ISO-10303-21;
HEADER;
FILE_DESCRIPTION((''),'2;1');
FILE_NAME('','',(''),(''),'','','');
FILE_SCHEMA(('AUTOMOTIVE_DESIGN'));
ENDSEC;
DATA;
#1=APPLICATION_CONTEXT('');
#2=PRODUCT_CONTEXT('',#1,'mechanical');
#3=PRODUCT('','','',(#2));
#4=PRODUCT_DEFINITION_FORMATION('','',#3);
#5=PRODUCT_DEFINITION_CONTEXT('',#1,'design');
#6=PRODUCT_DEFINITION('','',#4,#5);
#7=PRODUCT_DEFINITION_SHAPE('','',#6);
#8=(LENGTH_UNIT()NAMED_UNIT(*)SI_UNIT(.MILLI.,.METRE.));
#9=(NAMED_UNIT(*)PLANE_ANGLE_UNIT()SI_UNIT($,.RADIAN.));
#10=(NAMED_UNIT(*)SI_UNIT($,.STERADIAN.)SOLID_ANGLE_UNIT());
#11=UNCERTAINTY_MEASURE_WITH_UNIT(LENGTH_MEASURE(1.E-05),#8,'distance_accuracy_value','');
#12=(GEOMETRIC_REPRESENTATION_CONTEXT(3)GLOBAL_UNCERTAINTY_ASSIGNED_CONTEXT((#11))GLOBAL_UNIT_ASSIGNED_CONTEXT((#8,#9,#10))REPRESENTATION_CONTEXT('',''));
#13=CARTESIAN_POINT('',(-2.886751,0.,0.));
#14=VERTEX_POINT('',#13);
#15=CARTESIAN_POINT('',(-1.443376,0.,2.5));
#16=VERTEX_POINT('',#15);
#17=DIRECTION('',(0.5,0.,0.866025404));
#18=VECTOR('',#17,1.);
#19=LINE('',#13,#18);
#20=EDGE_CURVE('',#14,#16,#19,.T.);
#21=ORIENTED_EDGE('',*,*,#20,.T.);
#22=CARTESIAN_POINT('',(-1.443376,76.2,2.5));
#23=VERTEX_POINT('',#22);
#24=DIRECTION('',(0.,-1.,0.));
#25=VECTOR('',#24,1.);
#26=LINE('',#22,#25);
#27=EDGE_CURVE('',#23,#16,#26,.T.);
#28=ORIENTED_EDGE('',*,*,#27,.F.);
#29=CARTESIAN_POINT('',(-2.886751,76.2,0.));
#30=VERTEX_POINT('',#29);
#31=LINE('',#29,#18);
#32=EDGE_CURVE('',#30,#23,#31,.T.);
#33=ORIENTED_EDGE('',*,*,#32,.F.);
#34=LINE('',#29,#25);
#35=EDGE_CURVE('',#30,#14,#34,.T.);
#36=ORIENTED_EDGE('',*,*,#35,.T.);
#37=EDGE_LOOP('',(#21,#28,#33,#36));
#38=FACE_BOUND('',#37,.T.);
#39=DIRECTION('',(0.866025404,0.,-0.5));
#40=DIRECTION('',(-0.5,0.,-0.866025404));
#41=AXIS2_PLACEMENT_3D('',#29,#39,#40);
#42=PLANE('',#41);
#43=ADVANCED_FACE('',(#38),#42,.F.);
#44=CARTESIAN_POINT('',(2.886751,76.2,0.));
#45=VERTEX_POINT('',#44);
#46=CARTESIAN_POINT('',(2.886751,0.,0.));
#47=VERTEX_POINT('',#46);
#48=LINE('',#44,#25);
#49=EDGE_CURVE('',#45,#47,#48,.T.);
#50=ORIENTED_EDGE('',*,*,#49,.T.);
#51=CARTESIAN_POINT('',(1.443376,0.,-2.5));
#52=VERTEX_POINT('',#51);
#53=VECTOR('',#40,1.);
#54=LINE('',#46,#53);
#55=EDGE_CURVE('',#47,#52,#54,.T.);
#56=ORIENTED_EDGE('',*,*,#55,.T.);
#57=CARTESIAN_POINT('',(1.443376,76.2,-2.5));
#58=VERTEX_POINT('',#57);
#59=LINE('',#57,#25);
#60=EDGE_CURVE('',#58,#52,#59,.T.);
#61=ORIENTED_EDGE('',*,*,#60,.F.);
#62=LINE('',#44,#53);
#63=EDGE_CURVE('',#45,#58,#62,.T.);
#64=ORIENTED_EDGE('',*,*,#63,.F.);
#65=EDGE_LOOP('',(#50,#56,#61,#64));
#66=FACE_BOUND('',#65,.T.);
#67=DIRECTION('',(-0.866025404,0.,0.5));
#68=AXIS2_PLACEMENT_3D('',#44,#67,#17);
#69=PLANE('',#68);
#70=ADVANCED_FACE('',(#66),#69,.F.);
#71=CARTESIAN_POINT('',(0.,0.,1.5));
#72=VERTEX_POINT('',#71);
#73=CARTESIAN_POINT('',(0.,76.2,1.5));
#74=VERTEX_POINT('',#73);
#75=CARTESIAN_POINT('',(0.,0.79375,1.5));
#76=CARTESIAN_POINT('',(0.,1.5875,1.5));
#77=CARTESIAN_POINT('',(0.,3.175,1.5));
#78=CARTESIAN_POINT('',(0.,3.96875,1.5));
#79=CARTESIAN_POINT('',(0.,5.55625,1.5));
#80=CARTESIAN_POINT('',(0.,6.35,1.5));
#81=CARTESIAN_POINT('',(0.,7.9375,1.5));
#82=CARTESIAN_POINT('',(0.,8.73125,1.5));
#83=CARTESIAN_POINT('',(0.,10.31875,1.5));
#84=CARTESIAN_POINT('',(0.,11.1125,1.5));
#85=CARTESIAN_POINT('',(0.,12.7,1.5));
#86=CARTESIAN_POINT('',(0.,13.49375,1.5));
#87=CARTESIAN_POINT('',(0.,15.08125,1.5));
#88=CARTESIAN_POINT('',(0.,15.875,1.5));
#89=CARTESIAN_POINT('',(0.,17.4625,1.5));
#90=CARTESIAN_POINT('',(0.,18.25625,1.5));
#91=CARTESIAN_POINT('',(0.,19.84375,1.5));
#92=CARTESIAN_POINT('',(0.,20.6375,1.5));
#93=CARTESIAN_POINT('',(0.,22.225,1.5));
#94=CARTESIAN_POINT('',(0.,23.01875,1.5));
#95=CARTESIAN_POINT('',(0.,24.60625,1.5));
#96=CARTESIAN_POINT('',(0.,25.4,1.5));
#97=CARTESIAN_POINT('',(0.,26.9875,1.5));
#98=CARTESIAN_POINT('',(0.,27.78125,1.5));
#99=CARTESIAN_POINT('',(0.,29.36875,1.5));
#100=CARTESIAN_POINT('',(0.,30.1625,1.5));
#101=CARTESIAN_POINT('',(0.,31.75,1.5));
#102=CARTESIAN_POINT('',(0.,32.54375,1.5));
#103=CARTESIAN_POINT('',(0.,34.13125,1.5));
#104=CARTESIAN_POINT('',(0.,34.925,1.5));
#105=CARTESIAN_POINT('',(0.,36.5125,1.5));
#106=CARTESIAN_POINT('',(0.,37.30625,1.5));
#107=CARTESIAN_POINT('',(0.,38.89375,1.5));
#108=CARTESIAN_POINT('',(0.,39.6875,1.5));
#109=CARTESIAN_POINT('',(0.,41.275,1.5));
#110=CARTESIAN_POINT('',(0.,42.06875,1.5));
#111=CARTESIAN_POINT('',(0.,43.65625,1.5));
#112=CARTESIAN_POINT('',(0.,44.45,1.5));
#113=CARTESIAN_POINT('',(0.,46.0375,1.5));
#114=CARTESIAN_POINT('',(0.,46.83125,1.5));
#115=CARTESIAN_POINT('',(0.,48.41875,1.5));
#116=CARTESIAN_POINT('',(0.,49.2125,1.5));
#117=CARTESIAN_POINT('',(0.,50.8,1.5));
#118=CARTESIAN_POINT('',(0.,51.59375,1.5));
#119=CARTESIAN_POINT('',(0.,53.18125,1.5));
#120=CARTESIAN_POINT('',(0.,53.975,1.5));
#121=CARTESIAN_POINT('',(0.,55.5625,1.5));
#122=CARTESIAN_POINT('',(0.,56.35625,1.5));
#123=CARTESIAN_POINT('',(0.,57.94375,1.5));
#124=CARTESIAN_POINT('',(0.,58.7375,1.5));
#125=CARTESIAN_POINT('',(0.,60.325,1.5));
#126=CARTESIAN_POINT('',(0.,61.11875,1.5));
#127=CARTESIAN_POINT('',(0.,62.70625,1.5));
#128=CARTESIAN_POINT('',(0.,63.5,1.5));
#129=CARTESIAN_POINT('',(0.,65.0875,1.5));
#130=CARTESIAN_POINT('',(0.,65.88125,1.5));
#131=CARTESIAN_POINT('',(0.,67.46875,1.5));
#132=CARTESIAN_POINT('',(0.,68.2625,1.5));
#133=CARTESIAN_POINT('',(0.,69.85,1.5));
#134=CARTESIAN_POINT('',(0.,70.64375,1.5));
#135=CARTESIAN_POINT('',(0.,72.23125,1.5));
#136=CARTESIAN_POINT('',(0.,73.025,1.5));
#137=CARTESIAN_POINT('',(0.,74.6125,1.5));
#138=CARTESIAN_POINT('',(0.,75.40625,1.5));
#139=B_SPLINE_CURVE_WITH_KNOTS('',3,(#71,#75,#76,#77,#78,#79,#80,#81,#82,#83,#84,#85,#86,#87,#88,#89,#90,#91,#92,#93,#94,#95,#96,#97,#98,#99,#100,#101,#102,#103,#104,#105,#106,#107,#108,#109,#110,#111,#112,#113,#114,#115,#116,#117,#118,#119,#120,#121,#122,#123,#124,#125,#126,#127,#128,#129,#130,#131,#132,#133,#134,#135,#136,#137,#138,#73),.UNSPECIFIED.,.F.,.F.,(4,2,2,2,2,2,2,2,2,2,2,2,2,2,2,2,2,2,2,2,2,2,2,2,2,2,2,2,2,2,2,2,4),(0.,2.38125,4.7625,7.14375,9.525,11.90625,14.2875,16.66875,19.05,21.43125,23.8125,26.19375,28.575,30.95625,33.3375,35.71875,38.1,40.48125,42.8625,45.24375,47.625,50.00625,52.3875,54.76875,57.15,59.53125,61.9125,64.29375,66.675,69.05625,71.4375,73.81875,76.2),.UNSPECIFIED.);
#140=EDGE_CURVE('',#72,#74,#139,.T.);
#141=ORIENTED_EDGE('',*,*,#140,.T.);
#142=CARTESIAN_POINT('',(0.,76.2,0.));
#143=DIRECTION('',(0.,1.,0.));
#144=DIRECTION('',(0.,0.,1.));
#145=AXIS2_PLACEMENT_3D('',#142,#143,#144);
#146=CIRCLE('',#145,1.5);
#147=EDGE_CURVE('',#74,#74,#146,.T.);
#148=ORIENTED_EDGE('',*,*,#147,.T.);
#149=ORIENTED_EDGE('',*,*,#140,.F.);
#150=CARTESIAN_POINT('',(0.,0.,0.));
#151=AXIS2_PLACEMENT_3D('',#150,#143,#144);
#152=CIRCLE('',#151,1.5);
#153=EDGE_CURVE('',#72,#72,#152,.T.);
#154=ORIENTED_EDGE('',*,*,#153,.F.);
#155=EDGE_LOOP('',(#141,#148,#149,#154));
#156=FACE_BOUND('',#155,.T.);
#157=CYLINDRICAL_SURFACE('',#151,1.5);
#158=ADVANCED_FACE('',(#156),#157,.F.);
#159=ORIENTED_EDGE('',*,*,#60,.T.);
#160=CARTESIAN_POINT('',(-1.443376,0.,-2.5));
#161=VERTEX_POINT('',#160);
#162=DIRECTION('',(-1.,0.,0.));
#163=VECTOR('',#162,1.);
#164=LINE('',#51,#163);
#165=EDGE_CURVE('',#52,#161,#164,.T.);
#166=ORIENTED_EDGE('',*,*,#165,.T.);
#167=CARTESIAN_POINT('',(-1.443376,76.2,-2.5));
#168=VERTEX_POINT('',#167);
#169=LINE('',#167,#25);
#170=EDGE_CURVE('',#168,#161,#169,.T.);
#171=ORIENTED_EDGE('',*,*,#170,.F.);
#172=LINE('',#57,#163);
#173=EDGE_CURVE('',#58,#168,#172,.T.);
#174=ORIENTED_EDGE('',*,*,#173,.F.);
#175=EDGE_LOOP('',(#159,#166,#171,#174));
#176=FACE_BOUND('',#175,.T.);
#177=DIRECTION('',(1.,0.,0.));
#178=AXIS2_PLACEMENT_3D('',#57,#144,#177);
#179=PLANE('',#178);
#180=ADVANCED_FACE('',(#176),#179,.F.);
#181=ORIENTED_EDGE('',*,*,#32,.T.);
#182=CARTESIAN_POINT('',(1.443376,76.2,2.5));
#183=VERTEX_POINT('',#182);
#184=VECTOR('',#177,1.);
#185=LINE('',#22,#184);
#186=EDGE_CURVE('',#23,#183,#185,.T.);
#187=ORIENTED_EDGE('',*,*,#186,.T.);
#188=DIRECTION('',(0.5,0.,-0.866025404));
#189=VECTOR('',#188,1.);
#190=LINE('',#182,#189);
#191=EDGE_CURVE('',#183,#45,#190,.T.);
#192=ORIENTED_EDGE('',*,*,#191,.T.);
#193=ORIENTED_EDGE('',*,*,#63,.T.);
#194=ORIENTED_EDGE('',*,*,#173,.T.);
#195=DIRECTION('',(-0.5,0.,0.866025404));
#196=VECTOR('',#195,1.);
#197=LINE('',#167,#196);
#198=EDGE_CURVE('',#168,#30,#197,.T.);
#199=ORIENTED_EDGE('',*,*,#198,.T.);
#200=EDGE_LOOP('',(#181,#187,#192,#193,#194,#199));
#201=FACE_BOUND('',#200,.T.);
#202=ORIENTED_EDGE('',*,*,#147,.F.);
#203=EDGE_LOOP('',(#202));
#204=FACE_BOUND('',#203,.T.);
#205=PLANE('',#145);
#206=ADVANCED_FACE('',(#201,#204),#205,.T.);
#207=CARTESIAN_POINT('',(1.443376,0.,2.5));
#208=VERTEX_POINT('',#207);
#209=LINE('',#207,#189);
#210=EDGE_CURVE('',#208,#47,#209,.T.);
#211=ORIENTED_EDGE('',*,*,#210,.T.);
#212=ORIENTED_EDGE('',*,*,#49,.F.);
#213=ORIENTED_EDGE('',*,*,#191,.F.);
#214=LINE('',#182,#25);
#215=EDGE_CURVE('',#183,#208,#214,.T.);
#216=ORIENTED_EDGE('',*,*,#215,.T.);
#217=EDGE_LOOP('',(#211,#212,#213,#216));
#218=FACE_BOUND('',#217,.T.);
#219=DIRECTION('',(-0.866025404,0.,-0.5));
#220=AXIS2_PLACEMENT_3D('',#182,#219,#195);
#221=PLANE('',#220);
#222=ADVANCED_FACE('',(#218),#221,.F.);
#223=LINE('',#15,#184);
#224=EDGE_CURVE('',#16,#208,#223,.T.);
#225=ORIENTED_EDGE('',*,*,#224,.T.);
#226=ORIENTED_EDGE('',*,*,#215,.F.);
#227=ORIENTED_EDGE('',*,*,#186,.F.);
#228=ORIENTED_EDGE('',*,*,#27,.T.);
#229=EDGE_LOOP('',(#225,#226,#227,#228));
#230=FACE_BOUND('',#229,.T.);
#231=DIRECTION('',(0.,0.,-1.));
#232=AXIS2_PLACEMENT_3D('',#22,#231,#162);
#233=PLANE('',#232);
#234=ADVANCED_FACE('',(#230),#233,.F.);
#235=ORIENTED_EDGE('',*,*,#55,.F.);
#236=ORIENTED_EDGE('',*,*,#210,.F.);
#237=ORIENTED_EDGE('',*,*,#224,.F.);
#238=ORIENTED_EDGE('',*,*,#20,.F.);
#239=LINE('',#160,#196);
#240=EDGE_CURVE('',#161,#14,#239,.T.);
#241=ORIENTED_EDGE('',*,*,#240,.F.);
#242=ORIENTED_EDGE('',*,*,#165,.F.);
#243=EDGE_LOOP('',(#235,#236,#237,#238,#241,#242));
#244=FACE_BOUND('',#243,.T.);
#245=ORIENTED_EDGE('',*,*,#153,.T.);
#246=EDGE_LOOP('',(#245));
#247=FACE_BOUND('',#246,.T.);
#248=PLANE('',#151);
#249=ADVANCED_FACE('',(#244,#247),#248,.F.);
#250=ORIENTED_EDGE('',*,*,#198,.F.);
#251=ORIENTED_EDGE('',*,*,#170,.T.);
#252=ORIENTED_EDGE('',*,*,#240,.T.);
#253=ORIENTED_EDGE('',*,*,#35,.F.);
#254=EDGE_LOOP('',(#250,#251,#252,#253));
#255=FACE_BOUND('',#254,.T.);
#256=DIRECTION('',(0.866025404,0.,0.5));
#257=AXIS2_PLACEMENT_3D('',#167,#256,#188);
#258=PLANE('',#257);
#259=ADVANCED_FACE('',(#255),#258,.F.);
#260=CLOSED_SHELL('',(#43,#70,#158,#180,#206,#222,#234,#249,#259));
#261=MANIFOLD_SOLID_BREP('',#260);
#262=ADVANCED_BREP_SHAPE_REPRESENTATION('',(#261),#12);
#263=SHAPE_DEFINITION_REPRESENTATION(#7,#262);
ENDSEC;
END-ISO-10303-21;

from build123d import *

# Parameters (mm, degrees)
BOSS_EXTRUDE1_DEPTH = 76.2
SKETCH2_R           = 1.5
CUT_EXTRUDE1_DEPTH  = 77.295631155


with BuildPart() as part:
    # Sketch1 → Boss-Extrude1 (new body)
    with BuildSketch(Plane(origin=(0, 0, 0), x_dir=(1, 0, 0), z_dir=(0, 1, 0))):
        Polygon((2.886751346, 0), (1.443375673, 2.5), (-1.443375673, 2.5), (-2.886751346, 0), (-1.443375673, -2.5), (1.443375673, -2.5), align=None)
    extrude(amount=BOSS_EXTRUDE1_DEPTH)

    # Sketch2 → Cut-Extrude1 (cut, through all)
    with BuildSketch(Plane(origin=(0, 76.2, 0), x_dir=(1, 0, 0), z_dir=(0, 1, 0))):
        with Locations(Location((0, 0, 0), (0, 0, 270))):
            Circle(SKETCH2_R)
    extrude(amount=-CUT_EXTRUDE1_DEPTH, mode=Mode.SUBTRACT)


solid = part.part
